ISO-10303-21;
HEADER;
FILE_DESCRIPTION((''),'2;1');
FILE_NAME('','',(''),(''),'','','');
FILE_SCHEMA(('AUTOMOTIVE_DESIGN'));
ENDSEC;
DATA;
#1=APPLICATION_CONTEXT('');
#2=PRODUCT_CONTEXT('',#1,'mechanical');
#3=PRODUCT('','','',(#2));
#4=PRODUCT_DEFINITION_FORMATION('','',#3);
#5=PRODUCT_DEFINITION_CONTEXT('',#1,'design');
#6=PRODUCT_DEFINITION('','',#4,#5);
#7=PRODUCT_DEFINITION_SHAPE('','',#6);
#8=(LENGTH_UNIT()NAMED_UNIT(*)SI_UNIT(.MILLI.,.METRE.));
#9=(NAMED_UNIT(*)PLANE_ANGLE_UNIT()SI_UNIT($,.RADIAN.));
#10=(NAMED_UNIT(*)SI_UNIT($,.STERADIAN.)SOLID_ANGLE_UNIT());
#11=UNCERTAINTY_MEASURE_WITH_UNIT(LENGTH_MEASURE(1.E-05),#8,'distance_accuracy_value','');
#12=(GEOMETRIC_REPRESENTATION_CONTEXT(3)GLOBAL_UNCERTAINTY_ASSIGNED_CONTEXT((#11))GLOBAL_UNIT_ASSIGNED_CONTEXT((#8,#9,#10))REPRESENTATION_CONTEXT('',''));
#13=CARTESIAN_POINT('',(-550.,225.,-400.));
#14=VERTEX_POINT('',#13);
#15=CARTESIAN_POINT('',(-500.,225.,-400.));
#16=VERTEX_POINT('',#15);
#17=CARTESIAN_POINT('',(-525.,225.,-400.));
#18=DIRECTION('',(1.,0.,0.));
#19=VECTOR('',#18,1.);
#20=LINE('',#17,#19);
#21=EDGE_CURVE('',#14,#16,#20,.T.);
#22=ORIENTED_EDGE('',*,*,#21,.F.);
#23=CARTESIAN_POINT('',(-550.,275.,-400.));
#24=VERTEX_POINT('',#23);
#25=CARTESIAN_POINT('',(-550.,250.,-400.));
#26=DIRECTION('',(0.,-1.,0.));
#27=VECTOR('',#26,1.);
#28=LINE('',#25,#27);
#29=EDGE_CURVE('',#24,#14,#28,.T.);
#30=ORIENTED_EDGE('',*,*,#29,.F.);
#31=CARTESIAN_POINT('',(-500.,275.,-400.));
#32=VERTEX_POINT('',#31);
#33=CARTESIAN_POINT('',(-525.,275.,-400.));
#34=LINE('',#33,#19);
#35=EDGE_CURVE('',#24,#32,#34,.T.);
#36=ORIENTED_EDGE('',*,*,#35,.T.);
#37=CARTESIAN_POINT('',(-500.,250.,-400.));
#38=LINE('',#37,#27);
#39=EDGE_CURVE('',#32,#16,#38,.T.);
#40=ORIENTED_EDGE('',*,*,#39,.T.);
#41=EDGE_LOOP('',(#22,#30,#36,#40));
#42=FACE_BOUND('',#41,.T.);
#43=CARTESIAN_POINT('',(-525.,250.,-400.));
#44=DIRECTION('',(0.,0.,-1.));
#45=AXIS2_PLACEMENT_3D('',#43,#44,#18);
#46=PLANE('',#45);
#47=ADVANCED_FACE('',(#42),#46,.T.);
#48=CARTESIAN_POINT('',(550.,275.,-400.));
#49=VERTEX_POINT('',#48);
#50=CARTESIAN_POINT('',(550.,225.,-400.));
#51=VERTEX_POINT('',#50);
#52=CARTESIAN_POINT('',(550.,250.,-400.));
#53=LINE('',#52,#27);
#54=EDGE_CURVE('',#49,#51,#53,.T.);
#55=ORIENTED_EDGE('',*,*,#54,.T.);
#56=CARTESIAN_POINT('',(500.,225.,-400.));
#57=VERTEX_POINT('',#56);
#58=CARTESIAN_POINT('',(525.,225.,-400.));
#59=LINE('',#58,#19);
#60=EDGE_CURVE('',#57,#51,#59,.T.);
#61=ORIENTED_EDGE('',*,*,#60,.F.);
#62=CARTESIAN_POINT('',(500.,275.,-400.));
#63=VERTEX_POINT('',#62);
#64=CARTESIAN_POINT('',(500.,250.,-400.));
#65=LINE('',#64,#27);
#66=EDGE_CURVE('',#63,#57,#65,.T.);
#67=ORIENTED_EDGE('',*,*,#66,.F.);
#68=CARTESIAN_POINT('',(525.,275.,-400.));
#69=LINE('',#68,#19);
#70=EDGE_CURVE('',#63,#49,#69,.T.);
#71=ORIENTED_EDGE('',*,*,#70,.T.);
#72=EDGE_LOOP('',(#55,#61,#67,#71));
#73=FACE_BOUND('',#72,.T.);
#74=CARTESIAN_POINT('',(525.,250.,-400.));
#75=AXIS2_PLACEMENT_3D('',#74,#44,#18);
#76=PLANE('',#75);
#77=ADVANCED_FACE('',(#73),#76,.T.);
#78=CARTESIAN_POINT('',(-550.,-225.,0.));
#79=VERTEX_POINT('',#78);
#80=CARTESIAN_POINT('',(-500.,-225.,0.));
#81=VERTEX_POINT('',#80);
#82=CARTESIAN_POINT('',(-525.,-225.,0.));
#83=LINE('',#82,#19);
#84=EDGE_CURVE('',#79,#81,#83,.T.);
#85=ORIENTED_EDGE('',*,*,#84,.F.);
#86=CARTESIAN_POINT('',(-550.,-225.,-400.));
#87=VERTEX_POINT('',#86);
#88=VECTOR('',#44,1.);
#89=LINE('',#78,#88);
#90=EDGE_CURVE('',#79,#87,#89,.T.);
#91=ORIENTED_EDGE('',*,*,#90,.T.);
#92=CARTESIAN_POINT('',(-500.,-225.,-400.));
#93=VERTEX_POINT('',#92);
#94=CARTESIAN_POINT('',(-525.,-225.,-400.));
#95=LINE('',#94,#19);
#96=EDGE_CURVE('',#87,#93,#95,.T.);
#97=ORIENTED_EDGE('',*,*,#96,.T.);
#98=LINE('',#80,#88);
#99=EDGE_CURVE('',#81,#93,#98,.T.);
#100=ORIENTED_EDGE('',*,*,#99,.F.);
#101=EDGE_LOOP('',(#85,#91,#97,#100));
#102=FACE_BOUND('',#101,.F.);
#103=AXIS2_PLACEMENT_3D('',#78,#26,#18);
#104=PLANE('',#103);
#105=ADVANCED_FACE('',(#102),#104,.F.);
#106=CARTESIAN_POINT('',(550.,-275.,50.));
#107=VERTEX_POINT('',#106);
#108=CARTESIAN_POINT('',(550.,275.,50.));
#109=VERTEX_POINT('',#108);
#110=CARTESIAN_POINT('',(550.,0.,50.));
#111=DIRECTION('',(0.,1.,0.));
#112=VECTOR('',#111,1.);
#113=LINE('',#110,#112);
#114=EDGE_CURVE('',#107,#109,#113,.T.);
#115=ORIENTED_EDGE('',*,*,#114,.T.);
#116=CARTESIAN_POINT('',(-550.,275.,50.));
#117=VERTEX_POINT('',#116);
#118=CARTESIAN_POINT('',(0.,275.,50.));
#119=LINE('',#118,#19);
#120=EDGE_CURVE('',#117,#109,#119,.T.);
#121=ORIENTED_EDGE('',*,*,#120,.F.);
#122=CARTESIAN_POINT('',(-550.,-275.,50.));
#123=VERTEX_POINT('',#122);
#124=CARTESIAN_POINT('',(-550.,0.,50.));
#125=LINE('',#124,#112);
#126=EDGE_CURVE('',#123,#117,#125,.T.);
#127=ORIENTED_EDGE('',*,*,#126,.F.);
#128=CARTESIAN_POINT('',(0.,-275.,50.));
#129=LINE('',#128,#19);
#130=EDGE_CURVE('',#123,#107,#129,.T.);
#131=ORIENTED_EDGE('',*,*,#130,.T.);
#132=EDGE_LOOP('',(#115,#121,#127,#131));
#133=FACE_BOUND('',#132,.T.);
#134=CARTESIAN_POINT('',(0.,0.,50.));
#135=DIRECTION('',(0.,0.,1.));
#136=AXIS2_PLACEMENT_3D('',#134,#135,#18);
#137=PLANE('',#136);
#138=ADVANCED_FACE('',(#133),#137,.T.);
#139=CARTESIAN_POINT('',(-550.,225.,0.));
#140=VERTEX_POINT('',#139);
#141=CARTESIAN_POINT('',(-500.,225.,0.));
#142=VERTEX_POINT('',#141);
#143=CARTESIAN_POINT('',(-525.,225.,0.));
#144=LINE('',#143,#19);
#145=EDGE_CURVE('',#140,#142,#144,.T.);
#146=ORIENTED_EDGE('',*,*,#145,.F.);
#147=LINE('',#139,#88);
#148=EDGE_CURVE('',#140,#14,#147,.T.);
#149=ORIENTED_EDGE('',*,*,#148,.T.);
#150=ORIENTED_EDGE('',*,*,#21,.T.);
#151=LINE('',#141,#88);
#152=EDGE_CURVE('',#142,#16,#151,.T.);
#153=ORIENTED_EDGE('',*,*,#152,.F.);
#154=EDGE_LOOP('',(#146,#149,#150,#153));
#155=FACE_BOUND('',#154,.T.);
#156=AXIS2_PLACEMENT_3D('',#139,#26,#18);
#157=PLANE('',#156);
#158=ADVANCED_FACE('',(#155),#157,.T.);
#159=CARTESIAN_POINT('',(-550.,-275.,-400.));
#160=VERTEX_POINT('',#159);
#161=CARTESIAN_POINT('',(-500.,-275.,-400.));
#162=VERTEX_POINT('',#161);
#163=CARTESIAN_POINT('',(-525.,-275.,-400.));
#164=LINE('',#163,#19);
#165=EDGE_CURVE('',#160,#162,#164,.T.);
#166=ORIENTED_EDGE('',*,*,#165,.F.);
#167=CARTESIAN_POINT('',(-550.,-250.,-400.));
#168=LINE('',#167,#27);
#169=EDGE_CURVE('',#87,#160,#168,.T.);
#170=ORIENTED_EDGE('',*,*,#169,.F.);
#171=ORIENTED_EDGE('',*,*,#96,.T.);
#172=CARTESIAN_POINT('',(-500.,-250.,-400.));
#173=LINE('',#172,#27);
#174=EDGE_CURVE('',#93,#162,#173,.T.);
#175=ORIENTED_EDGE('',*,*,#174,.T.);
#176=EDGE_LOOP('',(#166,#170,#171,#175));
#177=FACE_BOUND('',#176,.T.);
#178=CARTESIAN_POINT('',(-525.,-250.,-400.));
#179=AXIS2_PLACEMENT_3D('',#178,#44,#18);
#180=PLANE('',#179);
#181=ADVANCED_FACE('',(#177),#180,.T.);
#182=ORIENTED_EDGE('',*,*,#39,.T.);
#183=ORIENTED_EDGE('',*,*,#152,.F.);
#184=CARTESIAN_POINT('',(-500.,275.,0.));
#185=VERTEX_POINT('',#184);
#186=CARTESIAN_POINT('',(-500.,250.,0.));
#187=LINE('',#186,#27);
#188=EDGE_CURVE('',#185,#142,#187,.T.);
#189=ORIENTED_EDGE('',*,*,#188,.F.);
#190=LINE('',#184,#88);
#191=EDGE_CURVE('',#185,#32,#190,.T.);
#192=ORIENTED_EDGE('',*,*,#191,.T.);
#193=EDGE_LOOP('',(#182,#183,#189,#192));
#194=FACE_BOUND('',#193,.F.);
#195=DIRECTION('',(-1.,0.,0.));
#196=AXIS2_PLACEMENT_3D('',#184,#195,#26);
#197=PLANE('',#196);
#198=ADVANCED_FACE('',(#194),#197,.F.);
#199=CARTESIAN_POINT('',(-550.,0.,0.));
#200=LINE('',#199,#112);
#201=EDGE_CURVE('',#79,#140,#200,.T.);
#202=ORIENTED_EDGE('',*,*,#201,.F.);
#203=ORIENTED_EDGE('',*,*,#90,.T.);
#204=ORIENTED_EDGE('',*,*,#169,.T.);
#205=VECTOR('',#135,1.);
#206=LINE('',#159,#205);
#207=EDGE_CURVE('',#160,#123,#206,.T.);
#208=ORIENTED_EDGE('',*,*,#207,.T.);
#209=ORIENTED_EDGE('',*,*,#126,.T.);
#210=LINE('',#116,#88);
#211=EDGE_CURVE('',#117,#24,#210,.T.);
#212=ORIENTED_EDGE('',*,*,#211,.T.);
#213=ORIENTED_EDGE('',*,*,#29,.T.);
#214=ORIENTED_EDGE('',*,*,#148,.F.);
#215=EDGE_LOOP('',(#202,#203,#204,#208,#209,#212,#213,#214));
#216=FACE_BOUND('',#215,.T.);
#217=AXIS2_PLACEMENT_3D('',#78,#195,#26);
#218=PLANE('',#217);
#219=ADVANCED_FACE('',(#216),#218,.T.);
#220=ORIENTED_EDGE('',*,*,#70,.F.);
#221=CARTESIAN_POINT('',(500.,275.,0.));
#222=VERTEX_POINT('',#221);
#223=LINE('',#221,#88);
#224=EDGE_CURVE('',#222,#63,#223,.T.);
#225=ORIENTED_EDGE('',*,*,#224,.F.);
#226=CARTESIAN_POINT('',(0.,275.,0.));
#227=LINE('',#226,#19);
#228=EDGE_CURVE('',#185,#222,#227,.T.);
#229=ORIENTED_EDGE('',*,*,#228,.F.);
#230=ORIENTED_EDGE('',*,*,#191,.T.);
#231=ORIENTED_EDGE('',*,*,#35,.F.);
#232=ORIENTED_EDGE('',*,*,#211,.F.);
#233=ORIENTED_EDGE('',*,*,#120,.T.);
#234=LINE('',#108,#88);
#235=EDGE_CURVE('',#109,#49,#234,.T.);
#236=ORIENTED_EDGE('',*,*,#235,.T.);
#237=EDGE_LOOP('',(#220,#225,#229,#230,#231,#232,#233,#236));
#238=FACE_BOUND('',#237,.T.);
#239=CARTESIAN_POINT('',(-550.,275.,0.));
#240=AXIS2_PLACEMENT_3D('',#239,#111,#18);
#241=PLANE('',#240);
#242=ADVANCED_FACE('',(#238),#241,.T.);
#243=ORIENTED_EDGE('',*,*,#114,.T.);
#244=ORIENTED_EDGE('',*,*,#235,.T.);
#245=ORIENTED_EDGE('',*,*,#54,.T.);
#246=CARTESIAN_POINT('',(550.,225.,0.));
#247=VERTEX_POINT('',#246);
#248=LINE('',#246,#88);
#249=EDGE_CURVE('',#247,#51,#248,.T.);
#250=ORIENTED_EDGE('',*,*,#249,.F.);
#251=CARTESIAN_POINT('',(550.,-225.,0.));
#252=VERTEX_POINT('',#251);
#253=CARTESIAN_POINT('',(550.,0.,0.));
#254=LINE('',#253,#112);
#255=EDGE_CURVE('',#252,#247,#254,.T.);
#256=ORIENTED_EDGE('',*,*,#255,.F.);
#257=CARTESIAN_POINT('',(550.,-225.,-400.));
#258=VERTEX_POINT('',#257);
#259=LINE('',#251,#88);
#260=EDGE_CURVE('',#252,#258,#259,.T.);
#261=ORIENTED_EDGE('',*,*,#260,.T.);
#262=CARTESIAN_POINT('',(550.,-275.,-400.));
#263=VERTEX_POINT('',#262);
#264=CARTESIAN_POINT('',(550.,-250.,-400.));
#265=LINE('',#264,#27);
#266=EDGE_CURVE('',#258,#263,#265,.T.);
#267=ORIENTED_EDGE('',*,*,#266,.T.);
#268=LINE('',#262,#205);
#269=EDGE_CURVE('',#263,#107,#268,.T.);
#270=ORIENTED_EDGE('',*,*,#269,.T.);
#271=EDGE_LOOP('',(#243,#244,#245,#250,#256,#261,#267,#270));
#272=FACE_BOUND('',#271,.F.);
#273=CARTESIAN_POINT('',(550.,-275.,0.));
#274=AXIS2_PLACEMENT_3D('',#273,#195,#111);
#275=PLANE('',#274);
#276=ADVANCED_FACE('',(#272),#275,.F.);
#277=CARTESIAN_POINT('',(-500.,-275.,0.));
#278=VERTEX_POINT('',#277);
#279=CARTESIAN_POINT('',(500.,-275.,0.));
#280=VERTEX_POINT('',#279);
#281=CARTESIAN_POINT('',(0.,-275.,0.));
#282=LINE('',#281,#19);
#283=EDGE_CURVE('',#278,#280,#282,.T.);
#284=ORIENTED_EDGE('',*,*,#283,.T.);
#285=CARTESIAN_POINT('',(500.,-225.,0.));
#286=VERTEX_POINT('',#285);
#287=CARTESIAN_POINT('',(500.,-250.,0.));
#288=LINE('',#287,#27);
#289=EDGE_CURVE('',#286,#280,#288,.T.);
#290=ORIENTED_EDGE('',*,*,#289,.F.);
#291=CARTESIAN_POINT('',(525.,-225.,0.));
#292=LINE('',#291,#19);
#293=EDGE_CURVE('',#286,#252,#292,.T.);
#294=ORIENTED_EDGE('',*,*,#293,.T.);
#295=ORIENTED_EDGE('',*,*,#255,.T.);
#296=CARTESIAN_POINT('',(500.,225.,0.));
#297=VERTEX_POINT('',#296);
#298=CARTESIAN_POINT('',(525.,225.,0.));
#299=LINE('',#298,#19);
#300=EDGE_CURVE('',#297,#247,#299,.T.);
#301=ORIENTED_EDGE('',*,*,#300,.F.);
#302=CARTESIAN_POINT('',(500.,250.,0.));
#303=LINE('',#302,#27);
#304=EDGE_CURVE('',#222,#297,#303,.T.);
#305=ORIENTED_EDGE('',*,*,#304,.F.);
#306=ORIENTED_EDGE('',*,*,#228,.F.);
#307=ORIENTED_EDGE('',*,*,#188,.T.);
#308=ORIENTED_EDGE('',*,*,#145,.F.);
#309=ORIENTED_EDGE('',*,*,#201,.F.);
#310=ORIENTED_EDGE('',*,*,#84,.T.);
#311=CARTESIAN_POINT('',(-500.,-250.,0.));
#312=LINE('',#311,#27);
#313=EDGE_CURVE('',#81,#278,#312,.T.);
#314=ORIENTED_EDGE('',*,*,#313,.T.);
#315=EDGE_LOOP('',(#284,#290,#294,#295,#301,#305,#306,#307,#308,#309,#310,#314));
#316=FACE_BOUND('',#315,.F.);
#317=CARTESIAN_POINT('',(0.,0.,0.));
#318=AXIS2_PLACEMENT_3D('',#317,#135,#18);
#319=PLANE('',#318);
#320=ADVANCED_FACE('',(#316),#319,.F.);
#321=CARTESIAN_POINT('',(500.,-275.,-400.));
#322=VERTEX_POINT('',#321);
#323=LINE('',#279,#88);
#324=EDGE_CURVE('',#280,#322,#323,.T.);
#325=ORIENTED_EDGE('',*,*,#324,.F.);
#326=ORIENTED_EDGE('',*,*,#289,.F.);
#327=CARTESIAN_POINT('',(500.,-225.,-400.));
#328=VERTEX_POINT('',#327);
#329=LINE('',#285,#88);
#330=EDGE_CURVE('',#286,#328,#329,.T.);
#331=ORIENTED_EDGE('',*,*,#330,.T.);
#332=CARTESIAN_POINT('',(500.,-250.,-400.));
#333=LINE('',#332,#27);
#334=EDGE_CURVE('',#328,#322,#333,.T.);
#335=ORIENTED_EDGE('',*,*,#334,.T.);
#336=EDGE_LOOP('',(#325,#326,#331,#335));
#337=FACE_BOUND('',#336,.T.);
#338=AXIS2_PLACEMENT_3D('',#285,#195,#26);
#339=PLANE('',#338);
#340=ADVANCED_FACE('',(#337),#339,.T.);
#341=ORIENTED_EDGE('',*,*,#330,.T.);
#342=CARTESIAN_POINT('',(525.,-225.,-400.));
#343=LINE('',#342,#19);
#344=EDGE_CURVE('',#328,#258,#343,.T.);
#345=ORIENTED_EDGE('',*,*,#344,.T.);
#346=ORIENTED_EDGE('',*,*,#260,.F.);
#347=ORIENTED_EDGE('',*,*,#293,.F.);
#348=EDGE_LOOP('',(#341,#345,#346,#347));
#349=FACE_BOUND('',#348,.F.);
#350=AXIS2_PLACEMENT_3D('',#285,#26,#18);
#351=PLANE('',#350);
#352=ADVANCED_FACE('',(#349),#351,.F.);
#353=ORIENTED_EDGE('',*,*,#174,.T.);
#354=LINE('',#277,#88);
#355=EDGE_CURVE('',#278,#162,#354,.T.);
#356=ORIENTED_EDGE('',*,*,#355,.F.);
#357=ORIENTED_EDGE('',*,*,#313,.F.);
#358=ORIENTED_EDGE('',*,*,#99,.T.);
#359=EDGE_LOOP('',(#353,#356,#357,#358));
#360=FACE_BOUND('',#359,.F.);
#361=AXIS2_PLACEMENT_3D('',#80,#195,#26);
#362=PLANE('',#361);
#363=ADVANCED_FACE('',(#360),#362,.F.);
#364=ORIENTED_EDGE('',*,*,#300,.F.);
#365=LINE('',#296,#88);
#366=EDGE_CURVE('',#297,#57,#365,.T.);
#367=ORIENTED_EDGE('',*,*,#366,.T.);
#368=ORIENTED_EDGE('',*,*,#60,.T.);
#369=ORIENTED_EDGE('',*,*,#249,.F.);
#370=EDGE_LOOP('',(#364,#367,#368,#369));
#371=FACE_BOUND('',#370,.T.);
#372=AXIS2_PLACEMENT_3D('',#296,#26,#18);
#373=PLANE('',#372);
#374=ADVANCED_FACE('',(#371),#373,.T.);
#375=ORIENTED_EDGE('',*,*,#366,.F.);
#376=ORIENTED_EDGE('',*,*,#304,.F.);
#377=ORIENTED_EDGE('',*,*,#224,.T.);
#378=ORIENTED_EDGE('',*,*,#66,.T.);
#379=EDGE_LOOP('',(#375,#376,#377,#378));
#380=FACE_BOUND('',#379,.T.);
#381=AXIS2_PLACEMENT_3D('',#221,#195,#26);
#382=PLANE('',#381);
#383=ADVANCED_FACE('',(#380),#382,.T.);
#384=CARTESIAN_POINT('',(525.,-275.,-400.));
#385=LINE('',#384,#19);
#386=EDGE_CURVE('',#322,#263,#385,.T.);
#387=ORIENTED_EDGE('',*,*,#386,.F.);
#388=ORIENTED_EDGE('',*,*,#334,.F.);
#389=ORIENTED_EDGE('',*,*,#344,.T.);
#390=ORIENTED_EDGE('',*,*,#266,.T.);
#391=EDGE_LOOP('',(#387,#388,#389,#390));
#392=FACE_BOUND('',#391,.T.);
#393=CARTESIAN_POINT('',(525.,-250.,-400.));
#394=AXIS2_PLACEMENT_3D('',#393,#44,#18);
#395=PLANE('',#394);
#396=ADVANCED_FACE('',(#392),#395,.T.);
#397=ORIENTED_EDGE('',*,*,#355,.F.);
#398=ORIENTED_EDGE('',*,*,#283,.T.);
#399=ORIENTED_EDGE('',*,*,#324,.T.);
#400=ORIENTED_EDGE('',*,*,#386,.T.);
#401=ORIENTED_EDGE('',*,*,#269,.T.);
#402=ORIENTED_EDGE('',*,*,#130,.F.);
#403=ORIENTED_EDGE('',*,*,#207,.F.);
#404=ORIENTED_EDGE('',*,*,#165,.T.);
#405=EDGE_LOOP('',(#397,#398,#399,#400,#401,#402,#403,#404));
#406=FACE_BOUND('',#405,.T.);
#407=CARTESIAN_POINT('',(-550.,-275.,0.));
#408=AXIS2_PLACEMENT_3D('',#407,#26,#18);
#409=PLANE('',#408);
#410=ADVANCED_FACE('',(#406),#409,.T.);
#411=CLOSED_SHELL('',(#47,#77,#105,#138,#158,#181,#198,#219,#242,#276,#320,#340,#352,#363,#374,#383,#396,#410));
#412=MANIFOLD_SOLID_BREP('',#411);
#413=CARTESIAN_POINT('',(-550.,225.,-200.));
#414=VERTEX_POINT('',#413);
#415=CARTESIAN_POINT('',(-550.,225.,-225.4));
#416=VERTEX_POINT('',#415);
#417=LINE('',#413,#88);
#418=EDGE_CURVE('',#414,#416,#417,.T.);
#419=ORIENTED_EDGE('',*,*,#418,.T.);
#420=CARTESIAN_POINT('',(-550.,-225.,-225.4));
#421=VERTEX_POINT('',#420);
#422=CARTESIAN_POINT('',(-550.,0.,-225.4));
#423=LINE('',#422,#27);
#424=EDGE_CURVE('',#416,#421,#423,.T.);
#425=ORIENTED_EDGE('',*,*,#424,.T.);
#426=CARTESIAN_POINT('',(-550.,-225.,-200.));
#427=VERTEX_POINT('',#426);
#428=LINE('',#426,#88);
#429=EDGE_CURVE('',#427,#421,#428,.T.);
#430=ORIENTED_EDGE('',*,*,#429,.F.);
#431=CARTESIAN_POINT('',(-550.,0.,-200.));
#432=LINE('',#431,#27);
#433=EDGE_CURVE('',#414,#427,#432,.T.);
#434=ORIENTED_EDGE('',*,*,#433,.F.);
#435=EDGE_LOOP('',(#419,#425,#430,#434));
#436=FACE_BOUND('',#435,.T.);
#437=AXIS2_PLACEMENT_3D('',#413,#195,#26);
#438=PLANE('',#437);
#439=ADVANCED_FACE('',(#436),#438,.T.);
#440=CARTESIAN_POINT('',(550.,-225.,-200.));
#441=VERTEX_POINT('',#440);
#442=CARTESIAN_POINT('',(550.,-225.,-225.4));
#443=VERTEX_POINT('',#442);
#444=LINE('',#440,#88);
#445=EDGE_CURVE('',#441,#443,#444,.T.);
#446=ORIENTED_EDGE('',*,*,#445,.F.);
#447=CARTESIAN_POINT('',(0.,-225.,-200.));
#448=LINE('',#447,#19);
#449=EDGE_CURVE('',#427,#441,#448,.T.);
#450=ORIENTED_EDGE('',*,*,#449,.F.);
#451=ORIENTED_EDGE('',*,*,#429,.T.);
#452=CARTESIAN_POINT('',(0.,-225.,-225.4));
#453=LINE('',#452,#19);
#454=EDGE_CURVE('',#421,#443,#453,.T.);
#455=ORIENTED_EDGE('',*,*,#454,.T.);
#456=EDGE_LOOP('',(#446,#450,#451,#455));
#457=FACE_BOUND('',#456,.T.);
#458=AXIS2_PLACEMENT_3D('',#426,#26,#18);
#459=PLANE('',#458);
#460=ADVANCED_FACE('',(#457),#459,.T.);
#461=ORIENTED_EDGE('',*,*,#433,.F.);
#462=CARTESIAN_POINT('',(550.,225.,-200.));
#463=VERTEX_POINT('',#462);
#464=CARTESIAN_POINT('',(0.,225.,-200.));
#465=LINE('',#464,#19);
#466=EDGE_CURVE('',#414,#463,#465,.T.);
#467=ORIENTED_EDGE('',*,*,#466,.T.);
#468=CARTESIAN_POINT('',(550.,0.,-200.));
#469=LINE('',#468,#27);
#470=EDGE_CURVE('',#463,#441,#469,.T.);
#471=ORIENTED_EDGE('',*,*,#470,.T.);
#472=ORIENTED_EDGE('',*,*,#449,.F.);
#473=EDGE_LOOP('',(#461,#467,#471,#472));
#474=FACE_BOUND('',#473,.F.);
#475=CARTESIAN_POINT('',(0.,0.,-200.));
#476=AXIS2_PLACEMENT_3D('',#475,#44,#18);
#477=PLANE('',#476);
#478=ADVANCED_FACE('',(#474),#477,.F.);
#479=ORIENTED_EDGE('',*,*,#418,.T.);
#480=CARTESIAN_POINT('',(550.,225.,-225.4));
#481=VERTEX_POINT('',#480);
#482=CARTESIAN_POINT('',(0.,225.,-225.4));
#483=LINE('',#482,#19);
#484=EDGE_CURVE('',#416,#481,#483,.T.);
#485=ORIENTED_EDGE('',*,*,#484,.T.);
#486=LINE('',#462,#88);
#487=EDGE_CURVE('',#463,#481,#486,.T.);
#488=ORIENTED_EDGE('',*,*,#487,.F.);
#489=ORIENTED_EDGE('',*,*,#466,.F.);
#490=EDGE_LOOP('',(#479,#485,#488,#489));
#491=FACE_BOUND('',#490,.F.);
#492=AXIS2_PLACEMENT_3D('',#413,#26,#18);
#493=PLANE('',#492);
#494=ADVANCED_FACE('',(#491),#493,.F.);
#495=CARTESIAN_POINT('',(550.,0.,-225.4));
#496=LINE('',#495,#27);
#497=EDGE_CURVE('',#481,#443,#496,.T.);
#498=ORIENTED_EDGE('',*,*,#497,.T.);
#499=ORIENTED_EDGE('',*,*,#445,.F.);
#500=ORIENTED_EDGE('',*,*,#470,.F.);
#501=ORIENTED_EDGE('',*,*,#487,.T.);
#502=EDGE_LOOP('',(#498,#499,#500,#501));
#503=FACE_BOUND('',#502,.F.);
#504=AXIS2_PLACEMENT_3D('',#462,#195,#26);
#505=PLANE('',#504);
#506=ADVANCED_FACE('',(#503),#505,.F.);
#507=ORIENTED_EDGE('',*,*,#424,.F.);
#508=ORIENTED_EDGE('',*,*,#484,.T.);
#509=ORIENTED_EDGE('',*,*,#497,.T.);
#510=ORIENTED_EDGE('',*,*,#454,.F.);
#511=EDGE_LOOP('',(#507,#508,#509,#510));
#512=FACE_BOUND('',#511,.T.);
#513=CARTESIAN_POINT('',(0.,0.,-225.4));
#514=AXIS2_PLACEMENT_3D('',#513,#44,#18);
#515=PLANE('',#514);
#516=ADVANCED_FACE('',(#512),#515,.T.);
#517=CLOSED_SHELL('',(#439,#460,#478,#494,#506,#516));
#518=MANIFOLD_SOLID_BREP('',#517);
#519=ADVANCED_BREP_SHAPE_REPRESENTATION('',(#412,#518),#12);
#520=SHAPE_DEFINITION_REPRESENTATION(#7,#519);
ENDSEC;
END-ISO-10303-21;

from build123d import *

# Parameters (mm, degrees)
F0_W     = 1100
F0_H     = 550
F1_DEPTH = 50
F2_W     = 50
F2_H     = 50
F3_DEPTH = 400
F5_W     = 1100
F5_H     = 450
F6_DEPTH = 25.4


with BuildPart() as f1:
    # F0 (on Top) → F1 (new body)
    with BuildSketch(Plane.XY):
        Rectangle(F0_W, F0_H)
    extrude(amount=F1_DEPTH)

    # F2 (on face) → F3 (join)
    with BuildSketch(Plane(origin=(0, 0, 0), x_dir=(1, 0, 0), z_dir=(0, 0, -1))):
        with Locations((-525, 250)):
            Rectangle(F2_W, F2_H)
        with Locations((-525, -250)):
            Rectangle(F2_W, F2_H)
        with Locations((525, -250)):
            Rectangle(F2_W, F2_H)
        with Locations((525, 250)):
            Rectangle(F2_W, F2_H)
    extrude(amount=F3_DEPTH)


with BuildPart() as f6:
    # F5 (on offset) → F6 (new body)
    with BuildSketch(Plane(origin=(0, 0, -200), x_dir=(1, 0, 0), z_dir=(0, 0, -1))):
        Rectangle(F5_W, F5_H)
    extrude(amount=F6_DEPTH)


solid = Compound([f1.part, f6.part])
